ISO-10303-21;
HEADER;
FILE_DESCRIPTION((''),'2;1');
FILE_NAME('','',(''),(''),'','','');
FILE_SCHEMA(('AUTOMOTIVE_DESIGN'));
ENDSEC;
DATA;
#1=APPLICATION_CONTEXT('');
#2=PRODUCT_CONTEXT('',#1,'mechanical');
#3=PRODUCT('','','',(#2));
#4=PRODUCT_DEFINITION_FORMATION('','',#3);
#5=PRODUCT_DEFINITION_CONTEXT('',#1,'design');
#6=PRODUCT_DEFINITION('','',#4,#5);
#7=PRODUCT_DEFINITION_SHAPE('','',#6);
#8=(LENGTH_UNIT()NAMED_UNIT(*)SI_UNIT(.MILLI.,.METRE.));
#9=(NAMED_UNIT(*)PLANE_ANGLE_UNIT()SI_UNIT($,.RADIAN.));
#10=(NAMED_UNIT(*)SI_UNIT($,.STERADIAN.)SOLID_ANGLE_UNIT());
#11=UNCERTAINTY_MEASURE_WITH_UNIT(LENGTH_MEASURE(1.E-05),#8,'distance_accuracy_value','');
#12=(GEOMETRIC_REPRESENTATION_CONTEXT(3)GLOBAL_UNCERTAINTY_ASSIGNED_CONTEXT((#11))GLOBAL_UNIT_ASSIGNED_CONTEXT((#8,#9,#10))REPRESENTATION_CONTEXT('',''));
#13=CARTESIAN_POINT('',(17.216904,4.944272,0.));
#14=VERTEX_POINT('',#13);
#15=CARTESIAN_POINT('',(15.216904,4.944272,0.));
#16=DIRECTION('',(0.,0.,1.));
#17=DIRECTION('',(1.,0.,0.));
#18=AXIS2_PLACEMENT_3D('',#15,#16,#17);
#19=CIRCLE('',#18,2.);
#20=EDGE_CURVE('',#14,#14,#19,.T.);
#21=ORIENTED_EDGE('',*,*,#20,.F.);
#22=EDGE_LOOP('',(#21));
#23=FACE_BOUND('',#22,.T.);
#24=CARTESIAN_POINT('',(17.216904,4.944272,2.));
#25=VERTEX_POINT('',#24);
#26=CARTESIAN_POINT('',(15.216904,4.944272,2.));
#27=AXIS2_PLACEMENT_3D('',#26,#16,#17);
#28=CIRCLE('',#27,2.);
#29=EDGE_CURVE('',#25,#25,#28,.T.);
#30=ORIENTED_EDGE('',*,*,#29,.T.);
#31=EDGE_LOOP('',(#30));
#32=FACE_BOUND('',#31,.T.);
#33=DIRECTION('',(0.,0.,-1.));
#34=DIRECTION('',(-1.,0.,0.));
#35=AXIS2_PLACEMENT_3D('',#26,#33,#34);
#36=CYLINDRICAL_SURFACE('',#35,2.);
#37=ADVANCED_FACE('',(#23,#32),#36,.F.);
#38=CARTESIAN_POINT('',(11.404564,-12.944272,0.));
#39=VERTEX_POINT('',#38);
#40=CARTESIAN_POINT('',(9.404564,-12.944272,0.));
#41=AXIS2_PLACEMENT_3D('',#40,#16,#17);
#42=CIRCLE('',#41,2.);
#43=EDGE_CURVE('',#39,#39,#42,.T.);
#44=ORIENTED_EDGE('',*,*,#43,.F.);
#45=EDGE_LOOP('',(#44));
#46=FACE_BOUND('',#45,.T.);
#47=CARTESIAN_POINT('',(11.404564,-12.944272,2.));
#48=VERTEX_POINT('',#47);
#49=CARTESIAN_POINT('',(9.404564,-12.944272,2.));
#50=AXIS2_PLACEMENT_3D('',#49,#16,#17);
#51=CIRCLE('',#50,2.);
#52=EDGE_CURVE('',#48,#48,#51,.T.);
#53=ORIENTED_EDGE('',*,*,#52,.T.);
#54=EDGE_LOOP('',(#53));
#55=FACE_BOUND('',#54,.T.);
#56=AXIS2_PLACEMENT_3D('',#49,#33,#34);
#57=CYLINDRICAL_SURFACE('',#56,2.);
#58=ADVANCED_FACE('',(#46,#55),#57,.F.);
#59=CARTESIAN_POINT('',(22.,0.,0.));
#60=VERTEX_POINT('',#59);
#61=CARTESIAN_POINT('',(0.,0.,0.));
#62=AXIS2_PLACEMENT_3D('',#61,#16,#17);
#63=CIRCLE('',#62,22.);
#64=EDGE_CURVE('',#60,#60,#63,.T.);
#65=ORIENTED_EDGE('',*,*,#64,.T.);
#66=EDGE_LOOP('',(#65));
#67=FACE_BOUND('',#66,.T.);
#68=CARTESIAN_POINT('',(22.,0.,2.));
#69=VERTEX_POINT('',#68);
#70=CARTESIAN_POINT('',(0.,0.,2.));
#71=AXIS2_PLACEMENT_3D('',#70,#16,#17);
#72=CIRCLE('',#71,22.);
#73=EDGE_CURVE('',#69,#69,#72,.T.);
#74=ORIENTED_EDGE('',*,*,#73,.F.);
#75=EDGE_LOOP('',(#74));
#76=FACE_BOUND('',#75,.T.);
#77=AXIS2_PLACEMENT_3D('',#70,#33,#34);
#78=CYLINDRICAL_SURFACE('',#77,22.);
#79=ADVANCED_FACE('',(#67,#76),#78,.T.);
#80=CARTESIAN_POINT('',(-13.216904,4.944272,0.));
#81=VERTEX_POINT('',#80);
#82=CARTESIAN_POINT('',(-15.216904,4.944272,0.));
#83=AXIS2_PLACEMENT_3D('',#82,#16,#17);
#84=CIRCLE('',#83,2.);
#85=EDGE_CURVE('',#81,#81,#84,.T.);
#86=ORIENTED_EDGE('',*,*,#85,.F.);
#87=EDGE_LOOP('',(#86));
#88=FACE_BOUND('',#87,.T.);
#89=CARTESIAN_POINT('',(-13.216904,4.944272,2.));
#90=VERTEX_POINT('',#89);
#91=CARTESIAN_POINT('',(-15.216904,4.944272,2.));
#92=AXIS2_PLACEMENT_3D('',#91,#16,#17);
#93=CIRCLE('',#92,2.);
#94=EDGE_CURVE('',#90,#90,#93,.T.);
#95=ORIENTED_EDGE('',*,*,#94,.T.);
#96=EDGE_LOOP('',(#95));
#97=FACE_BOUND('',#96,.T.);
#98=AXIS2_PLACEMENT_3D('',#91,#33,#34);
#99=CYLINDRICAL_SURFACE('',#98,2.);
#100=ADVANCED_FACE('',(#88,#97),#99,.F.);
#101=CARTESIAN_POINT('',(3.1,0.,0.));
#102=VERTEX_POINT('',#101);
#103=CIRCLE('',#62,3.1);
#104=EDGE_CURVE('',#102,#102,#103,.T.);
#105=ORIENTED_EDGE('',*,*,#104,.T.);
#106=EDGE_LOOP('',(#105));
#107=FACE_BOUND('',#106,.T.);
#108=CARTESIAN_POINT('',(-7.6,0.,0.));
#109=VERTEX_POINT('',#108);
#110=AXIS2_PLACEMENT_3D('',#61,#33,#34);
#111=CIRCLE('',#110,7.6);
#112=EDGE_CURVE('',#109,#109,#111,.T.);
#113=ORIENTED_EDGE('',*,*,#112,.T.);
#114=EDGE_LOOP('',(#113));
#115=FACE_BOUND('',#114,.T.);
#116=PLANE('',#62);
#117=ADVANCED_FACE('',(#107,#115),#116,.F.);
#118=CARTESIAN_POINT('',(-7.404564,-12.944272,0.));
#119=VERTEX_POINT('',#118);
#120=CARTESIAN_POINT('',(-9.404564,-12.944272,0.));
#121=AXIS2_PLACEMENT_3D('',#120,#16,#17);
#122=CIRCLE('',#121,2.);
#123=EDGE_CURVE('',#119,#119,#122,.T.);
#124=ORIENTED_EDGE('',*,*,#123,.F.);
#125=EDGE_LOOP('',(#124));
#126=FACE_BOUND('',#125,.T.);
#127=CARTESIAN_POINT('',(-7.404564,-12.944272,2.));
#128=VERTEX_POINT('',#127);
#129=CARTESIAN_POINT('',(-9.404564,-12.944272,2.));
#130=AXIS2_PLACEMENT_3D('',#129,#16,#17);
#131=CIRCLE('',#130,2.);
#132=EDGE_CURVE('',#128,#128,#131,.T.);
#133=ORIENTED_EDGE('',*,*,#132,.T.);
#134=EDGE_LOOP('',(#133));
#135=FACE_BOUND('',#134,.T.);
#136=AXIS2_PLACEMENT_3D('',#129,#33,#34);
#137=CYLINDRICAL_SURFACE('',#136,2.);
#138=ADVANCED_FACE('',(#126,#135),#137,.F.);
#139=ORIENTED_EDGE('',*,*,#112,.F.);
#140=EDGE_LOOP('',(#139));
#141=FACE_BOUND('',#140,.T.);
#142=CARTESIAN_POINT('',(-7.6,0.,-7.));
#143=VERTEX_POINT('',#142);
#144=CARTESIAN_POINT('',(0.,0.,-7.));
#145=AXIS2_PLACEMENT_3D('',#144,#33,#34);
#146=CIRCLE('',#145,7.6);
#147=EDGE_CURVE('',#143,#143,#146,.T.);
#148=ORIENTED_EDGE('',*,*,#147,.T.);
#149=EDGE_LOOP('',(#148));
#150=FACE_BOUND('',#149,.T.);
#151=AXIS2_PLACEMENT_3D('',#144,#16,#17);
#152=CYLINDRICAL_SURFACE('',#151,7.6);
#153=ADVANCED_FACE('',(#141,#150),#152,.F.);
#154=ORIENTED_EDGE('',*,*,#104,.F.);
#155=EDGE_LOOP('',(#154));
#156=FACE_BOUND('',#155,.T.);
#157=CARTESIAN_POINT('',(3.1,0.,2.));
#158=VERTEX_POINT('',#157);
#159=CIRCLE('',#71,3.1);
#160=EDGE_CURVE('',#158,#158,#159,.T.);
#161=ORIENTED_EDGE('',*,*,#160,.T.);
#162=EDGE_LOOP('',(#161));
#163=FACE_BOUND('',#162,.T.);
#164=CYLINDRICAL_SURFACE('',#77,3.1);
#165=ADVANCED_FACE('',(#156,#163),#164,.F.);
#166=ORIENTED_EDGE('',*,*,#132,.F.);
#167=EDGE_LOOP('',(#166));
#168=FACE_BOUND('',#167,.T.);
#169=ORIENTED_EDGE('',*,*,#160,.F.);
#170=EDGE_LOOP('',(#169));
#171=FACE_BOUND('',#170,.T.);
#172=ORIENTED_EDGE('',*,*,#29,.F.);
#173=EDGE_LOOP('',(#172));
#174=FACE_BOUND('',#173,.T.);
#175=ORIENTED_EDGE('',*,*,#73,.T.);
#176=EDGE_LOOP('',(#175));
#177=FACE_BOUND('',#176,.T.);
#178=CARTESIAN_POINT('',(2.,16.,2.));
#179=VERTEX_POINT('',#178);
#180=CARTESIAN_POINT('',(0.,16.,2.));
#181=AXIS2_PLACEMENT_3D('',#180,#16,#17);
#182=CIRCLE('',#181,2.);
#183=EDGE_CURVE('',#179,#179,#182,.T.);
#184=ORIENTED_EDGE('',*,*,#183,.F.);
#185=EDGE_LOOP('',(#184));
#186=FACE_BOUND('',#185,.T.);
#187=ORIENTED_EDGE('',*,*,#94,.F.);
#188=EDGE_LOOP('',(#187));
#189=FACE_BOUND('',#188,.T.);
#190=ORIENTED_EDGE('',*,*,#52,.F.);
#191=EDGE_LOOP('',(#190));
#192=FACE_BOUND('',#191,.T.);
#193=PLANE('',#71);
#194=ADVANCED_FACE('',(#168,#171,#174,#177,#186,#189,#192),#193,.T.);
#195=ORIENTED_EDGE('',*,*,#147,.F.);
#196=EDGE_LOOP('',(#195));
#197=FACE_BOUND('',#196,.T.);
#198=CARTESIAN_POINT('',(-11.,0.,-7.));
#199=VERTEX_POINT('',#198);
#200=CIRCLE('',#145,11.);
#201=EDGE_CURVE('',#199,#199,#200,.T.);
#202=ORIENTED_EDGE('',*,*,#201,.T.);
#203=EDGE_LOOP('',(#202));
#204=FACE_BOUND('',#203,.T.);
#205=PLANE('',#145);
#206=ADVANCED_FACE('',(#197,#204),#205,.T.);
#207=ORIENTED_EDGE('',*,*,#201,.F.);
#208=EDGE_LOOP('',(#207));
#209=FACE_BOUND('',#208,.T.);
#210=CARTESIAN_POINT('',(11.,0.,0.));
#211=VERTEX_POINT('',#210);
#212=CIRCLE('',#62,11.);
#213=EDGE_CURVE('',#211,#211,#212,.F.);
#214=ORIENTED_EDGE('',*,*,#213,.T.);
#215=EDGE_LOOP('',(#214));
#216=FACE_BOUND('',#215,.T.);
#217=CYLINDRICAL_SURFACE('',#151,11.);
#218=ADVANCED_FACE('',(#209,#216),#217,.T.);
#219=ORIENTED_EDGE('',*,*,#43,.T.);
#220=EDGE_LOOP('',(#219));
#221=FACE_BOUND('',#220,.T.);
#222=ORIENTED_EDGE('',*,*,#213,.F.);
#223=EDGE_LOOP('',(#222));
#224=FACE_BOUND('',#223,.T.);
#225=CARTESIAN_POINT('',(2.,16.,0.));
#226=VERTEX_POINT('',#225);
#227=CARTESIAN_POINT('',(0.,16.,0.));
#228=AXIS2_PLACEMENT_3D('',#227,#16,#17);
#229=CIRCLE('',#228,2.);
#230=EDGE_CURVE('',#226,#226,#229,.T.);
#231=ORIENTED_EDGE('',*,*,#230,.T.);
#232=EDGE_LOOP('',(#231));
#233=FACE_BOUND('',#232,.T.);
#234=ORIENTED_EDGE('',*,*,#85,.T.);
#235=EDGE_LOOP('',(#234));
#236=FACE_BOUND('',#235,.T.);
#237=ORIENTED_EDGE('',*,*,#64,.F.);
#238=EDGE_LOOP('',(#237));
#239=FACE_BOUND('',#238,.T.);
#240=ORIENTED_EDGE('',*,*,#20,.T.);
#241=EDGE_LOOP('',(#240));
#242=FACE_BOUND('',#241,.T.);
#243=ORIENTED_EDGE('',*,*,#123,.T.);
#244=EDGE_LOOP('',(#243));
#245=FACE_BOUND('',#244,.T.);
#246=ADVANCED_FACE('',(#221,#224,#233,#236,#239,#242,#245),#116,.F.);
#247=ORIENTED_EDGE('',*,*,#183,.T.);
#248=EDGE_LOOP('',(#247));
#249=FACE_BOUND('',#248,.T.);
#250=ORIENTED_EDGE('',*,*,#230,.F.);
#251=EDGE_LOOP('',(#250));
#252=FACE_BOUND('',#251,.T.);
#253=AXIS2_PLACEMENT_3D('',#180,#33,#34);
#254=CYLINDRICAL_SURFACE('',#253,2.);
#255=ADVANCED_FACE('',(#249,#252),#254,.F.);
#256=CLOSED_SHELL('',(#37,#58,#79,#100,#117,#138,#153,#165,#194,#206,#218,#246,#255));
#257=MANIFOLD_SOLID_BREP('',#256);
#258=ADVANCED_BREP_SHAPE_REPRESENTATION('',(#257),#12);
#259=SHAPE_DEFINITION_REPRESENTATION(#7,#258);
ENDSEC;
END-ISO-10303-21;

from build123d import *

# Parameters (mm, degrees)
SKETCH_1_R      = 22
SKETCH_1_R_2    = 3.1
SKETCH_1_R_3    = 2
EXTRUDE_1_DEPTH = 2
SKETCH_3_R      = 11
SKETCH_3_R_2    = 7.6
EXTRUDE_2_DEPTH = 7


with BuildPart() as part:
    # 草图1 → 凸台-拉伸1 (new body)
    with BuildSketch(Plane.XY):
        Circle(SKETCH_1_R)
        Circle(SKETCH_1_R_2, mode=Mode.SUBTRACT)
        with Locations((0, 16)):
            Circle(SKETCH_1_R_3, mode=Mode.SUBTRACT)
        with Locations((15.216904261, 4.94427191)):
            Circle(SKETCH_1_R_3, mode=Mode.SUBTRACT)
        with Locations((9.404564037, -12.94427191)):
            Circle(SKETCH_1_R_3, mode=Mode.SUBTRACT)
        with Locations((-9.404564037, -12.94427191)):
            Circle(SKETCH_1_R_3, mode=Mode.SUBTRACT)
        with Locations((-15.216904261, 4.94427191)):
            Circle(SKETCH_1_R_3, mode=Mode.SUBTRACT)
    extrude(amount=EXTRUDE_1_DEPTH)

    # 草图3 → 凸台-拉伸2 (add)
    with BuildSketch(Plane(origin=(0, 0, 0), x_dir=(-1, 0, 0), z_dir=(0, 0, -1))):
        with Locations(Location((0, 0, 0), (0, 0, 180))):
            Circle(SKETCH_3_R)
        Circle(SKETCH_3_R_2, mode=Mode.SUBTRACT)
    extrude(amount=EXTRUDE_2_DEPTH)


solid = part.part
